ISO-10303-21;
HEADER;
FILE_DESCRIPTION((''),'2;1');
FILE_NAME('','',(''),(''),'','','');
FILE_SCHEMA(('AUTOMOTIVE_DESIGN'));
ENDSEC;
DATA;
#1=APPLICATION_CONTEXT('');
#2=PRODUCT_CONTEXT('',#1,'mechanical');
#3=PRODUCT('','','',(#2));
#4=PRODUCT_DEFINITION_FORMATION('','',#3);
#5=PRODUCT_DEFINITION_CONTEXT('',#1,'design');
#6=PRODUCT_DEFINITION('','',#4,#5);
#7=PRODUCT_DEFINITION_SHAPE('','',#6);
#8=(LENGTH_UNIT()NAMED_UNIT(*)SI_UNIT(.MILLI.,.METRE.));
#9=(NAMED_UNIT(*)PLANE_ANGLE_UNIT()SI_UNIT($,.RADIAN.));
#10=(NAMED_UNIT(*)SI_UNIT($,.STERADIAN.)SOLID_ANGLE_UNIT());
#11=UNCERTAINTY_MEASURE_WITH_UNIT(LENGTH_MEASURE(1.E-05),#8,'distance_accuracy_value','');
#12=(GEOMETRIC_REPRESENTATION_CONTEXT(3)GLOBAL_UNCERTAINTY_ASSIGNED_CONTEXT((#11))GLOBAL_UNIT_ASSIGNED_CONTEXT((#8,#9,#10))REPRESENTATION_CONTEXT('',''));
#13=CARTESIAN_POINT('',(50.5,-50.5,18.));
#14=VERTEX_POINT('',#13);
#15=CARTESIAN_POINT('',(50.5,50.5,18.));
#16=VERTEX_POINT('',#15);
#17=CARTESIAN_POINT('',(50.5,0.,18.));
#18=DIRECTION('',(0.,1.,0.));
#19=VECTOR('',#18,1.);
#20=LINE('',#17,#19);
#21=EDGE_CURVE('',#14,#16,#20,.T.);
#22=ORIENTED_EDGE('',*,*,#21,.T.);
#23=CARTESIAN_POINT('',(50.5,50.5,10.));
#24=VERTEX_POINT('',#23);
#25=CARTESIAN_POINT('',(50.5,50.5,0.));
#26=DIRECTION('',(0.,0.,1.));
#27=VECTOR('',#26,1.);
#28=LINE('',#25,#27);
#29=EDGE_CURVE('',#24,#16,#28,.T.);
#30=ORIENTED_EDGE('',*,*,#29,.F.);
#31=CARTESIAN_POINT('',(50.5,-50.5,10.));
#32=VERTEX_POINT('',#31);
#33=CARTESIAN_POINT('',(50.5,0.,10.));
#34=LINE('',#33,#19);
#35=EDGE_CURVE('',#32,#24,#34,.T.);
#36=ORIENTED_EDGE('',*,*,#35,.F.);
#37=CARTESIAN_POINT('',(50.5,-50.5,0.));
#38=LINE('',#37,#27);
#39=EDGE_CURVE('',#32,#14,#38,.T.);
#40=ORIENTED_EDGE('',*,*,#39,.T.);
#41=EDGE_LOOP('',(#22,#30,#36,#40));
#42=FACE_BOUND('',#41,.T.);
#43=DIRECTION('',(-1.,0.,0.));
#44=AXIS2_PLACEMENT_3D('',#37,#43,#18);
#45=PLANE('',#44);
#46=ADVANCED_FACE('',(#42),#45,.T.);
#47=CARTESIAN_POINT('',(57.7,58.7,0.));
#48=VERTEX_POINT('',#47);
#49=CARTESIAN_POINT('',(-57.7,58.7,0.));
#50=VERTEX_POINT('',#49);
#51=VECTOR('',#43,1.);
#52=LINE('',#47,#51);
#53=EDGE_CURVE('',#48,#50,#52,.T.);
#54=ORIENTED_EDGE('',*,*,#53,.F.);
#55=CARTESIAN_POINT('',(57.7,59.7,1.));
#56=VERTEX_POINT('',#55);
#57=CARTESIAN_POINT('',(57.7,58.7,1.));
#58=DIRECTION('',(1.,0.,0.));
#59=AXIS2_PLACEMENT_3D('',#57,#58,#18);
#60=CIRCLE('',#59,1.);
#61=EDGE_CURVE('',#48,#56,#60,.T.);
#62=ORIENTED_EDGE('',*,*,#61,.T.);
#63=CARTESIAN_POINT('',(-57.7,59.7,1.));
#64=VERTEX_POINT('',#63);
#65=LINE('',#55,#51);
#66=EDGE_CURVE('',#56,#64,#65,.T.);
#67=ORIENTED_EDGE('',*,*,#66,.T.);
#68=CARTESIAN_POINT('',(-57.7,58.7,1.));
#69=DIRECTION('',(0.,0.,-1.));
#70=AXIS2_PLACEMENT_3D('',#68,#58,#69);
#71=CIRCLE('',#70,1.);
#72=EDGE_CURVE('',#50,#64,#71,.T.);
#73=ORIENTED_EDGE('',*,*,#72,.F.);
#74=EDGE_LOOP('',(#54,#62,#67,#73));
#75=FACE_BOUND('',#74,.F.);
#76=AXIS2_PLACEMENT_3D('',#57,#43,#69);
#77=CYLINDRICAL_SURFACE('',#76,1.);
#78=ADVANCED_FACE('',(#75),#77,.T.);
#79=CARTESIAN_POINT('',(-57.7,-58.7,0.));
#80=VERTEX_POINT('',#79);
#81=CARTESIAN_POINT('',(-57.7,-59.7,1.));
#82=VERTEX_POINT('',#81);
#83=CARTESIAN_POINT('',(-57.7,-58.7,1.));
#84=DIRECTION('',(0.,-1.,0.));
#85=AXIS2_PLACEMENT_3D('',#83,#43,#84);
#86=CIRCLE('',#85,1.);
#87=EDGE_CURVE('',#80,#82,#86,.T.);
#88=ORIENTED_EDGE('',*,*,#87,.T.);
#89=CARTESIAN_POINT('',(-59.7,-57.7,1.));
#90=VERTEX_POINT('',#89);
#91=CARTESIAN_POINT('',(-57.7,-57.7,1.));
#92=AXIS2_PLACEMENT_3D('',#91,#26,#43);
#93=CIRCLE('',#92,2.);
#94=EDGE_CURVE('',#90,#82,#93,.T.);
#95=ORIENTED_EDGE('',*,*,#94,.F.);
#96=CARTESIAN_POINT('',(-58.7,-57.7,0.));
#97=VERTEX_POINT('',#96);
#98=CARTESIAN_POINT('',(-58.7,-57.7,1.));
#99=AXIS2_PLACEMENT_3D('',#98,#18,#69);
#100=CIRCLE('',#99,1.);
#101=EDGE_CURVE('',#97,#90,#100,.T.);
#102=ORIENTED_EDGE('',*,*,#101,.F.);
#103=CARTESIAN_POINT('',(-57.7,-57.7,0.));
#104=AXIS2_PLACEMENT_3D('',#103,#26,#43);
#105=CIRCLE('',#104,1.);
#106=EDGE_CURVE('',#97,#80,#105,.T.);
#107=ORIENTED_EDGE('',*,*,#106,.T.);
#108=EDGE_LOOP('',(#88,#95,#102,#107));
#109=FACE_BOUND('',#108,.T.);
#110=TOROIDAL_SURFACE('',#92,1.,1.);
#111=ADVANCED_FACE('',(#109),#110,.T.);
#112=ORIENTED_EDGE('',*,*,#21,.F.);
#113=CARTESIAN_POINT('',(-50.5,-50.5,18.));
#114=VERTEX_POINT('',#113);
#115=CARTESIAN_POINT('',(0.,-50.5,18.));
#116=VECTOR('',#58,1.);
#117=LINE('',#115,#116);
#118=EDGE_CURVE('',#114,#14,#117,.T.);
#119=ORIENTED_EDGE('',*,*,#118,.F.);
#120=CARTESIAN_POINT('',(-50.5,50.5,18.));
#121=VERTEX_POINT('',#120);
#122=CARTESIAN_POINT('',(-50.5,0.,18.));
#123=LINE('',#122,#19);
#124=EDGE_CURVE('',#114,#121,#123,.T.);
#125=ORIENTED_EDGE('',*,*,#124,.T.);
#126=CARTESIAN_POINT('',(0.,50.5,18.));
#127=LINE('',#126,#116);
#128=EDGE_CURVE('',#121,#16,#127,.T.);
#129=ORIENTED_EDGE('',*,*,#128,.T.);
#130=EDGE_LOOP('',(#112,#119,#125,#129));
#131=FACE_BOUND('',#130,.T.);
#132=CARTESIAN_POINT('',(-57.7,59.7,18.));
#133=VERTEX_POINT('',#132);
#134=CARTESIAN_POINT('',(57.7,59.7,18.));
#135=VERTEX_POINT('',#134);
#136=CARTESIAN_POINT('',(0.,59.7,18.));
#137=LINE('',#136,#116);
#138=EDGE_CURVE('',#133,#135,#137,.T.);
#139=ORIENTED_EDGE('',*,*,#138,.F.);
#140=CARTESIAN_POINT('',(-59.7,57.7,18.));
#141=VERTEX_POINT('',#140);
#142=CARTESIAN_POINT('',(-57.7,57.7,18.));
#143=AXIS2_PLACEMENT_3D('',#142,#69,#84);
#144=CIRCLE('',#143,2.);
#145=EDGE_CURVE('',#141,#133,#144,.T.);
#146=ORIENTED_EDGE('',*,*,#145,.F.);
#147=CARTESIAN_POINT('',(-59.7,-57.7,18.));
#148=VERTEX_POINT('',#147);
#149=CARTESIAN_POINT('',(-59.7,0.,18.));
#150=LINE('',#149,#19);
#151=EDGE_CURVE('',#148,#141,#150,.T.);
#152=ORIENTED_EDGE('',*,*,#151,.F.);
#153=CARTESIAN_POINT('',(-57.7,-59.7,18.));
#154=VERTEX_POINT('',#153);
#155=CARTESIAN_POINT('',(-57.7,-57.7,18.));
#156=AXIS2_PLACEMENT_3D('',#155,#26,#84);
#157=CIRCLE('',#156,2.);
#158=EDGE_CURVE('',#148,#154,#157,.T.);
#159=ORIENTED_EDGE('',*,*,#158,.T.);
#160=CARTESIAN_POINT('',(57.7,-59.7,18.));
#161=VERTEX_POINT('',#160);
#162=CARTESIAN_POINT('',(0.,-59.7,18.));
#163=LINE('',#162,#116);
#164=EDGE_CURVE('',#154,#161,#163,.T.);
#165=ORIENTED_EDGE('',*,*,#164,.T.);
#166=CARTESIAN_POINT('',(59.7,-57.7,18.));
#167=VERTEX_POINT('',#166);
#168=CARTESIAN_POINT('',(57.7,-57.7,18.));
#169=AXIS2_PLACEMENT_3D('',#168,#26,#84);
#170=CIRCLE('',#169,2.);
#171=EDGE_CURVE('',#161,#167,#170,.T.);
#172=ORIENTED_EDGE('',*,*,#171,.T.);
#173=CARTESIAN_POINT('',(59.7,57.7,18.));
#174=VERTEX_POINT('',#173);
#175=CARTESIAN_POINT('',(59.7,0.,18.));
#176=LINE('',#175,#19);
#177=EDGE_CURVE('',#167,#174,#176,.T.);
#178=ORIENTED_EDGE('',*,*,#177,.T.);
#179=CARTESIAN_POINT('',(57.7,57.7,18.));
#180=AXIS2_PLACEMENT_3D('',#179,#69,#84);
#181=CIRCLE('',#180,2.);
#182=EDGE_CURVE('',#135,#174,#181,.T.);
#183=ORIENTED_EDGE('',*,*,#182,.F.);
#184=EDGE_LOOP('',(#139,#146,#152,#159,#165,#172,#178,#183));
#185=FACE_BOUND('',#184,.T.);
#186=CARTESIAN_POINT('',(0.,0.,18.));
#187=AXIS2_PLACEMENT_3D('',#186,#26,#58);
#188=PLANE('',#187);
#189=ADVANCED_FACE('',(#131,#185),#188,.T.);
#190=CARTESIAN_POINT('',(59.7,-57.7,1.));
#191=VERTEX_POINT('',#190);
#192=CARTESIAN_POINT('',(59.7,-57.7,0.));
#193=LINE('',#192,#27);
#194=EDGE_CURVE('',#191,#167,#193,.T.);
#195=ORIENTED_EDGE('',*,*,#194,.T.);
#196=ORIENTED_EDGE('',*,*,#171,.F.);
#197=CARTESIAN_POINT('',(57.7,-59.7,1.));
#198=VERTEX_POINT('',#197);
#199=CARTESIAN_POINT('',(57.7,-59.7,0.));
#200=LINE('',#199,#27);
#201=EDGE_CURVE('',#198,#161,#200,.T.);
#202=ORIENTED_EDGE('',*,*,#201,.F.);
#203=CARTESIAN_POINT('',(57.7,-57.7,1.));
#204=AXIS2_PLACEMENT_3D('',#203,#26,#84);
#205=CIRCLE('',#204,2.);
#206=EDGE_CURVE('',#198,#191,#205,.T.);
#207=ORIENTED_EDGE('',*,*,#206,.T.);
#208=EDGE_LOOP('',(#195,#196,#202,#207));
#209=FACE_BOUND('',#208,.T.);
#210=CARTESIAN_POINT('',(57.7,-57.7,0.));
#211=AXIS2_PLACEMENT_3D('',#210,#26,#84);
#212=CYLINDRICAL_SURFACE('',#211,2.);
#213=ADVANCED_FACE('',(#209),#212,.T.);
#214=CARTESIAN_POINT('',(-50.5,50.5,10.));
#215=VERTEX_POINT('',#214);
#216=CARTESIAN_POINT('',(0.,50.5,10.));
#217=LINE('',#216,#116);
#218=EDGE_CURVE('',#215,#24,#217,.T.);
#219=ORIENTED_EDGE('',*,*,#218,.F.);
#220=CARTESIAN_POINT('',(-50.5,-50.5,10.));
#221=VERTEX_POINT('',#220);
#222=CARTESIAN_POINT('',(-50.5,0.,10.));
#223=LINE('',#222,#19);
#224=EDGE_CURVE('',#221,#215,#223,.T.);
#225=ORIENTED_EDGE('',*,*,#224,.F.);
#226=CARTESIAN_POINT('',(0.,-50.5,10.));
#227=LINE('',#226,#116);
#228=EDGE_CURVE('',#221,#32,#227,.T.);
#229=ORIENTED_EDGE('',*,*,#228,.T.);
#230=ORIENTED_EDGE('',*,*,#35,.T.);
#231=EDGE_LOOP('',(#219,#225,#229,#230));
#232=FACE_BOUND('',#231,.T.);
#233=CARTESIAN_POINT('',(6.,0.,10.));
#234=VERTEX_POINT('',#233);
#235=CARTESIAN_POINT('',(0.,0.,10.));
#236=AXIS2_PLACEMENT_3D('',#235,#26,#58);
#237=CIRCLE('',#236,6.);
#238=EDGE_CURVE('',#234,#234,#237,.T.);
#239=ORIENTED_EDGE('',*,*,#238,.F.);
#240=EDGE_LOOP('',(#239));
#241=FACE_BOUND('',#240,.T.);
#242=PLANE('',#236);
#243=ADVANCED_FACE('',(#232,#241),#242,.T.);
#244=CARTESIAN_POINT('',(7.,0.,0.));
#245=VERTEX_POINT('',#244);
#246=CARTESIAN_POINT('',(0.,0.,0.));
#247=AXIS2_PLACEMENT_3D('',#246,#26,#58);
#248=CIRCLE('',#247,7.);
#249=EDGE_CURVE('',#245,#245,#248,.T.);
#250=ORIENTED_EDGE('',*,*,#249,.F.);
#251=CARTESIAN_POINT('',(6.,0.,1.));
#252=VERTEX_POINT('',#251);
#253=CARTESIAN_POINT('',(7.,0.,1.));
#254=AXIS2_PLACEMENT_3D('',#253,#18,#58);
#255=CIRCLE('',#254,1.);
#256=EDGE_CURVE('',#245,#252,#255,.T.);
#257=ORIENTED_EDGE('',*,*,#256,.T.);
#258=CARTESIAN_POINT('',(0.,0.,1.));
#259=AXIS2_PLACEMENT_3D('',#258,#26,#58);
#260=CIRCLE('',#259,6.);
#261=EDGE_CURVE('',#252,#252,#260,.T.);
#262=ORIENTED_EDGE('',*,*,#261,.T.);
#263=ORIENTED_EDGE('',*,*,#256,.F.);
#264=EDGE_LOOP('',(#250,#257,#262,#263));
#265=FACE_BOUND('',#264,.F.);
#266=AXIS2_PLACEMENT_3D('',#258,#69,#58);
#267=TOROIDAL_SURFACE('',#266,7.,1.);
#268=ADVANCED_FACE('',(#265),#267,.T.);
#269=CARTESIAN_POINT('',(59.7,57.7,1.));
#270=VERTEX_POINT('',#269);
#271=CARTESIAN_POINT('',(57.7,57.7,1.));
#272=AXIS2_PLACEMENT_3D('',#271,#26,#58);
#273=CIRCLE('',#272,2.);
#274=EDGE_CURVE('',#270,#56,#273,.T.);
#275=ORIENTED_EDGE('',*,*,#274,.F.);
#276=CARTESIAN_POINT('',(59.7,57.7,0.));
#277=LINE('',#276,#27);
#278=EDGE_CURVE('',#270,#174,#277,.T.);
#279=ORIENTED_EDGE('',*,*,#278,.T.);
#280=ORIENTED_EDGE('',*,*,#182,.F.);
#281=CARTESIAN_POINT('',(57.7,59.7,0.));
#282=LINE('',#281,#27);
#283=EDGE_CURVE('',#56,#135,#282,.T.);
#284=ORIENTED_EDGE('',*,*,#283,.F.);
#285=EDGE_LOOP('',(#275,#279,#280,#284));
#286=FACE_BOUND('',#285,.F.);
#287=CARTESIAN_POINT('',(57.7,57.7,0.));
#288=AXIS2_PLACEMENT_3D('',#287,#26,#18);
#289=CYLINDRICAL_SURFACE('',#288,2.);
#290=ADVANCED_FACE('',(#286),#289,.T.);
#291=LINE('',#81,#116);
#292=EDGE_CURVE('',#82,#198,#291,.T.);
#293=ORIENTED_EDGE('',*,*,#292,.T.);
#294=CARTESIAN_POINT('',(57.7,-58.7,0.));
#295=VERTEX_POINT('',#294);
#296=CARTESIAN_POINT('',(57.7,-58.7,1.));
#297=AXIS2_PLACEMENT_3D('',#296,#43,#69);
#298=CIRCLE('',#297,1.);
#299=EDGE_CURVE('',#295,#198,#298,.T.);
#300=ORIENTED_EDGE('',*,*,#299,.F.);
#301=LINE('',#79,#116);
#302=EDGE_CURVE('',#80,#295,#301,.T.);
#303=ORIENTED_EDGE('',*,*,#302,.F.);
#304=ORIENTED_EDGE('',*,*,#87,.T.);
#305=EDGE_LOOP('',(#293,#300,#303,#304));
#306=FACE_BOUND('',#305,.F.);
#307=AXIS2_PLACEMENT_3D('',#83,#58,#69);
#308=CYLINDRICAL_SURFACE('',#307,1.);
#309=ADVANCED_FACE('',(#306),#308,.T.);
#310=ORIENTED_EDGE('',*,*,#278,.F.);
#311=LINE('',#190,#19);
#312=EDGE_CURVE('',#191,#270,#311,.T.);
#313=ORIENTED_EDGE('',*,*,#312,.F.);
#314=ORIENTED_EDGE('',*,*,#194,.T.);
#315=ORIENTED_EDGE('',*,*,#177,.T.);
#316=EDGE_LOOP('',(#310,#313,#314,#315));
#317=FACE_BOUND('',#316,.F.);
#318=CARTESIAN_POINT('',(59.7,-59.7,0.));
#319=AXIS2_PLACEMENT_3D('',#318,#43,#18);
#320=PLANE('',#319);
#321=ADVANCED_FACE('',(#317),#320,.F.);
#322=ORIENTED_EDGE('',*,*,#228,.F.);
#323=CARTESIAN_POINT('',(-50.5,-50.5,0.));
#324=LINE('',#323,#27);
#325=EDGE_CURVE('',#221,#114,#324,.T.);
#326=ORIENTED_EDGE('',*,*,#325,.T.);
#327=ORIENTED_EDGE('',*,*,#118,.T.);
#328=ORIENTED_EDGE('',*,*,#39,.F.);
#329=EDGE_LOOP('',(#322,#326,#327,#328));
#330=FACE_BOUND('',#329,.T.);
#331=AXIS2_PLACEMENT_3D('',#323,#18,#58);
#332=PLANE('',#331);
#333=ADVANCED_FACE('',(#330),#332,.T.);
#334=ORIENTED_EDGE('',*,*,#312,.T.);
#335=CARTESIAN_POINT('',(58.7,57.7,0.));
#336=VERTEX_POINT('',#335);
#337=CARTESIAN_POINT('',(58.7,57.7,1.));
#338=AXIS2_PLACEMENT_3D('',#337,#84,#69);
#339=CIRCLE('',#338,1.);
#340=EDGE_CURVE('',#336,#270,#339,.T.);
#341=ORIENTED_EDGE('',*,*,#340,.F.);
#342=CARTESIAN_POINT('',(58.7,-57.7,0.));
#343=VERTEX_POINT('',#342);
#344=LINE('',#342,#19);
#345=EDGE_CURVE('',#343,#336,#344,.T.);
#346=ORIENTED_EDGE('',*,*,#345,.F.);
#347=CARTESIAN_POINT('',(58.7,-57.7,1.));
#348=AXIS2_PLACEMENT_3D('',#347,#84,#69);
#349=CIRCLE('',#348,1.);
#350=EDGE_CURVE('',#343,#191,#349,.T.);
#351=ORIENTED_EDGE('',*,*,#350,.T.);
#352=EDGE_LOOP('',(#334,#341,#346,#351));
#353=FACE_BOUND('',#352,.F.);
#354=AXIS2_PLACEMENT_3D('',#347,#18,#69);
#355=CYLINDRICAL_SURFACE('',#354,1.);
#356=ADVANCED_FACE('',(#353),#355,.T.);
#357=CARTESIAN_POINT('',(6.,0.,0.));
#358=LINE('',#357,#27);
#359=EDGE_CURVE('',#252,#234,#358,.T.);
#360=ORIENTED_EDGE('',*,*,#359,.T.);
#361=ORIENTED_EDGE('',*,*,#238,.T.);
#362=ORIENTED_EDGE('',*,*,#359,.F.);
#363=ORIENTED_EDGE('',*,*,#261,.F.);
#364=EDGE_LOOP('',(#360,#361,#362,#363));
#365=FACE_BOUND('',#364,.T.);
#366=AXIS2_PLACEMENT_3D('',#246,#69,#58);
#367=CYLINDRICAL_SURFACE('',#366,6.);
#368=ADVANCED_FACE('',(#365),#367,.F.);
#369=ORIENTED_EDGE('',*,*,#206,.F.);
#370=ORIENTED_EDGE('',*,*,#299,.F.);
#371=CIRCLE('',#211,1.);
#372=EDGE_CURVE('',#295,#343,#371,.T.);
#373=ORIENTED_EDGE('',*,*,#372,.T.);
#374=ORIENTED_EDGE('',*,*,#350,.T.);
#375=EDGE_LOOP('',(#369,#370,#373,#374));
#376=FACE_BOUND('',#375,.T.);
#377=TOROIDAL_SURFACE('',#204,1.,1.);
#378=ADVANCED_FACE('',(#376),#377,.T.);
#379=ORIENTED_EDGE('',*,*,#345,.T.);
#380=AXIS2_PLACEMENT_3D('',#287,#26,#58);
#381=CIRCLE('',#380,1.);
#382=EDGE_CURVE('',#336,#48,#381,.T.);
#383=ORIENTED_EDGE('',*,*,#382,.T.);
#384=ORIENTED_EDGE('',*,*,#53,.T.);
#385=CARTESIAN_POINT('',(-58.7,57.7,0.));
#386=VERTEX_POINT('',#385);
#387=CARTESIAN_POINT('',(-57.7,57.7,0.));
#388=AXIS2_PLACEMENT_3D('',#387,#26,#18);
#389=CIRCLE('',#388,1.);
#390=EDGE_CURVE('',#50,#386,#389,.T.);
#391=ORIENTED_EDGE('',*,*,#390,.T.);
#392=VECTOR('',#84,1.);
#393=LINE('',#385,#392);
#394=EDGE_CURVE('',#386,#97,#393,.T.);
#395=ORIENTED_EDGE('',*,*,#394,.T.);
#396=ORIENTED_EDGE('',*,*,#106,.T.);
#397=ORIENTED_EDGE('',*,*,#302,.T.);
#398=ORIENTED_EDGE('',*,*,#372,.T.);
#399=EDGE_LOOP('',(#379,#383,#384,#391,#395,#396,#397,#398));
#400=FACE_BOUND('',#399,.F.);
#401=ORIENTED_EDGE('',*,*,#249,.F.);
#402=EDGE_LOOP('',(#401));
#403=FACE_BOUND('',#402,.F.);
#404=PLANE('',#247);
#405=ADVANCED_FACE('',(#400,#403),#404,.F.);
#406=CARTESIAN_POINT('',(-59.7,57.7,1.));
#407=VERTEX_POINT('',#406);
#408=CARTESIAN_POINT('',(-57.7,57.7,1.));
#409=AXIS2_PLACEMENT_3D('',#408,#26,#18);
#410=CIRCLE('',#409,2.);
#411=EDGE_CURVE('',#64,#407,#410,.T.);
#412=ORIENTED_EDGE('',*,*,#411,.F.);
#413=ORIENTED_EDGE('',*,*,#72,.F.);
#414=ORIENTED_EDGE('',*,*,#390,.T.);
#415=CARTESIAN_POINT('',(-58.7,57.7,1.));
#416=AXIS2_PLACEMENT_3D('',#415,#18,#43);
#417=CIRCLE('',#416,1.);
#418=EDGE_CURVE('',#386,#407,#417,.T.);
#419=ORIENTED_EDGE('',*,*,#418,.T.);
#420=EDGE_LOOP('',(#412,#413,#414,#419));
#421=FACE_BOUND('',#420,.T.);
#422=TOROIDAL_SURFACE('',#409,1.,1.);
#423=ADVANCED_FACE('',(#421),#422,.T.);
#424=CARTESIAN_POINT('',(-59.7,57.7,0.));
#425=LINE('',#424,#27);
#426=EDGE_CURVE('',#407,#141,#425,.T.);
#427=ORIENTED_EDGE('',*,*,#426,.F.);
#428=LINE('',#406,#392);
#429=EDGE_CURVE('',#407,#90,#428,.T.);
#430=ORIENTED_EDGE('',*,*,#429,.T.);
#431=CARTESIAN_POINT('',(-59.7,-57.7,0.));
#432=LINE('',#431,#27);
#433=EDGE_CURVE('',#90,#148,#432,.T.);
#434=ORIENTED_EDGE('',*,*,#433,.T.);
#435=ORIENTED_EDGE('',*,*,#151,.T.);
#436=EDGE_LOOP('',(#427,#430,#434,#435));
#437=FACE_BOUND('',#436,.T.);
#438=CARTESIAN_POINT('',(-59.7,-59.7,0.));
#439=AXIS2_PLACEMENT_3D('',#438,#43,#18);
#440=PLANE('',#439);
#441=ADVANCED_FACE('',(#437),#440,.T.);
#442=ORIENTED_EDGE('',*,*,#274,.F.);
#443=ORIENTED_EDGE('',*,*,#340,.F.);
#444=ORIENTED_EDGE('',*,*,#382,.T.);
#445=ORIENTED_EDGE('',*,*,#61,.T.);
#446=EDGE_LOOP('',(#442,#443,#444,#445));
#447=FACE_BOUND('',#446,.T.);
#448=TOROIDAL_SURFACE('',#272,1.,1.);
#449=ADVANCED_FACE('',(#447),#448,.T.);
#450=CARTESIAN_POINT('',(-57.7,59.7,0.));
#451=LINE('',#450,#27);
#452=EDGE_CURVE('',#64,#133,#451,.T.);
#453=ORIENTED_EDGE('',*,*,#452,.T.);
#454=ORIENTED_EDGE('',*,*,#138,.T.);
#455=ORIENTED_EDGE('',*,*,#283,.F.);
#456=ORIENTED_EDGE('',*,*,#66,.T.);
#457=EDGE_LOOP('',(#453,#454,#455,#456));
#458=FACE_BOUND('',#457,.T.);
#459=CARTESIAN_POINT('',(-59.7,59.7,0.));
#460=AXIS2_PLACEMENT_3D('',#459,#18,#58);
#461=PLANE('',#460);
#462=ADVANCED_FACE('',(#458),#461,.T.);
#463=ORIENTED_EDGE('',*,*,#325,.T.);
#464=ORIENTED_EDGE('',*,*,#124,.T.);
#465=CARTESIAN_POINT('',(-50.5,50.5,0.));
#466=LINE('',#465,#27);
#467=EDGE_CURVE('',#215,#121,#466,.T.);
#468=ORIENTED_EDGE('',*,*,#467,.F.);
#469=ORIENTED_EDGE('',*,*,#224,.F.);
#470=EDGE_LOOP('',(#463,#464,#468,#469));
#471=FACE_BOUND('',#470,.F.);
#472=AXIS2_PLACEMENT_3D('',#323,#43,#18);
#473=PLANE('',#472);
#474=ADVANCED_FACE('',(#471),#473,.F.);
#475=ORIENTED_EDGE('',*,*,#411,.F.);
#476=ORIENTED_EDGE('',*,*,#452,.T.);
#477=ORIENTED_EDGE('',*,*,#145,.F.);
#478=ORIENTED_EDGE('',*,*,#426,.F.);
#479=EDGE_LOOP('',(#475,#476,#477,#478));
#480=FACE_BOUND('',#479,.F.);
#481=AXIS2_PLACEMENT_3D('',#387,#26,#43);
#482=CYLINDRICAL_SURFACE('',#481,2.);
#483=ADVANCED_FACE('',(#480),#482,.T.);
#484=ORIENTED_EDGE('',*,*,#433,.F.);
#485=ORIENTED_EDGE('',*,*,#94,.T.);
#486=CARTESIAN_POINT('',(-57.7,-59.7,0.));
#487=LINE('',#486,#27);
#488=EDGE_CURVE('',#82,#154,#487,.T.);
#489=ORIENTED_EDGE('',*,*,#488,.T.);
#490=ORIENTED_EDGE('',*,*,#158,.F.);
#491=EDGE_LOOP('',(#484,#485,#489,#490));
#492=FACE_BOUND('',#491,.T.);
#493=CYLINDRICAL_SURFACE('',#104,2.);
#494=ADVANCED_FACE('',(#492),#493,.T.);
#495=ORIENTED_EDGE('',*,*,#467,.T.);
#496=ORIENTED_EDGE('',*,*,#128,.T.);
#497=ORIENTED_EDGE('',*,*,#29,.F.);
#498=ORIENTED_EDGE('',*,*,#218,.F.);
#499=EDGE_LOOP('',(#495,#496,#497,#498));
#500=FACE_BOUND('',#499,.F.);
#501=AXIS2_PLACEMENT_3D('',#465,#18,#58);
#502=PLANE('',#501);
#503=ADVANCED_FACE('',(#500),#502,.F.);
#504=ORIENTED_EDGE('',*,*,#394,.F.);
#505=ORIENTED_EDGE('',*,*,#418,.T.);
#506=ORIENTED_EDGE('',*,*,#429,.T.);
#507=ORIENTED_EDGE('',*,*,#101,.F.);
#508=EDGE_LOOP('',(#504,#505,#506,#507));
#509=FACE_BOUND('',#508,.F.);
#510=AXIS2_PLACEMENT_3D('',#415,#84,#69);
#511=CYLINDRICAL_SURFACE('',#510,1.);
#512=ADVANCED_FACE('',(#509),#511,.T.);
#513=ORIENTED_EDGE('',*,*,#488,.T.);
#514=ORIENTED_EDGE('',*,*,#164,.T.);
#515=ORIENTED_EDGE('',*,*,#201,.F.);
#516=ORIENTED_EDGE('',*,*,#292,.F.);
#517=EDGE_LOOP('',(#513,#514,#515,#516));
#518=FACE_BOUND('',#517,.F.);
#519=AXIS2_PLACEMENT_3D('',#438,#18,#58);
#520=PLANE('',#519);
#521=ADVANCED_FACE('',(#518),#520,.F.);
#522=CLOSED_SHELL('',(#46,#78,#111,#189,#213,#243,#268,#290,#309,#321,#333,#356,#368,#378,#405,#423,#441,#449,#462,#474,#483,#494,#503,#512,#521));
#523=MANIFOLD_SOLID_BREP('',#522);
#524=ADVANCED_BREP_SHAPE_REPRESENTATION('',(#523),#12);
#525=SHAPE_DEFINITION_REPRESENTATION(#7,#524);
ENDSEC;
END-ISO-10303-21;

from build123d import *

# Parameters (mm, degrees)
F0_W     = 101
F0_H     = 101
F0_R     = 6
F1_DEPTH = 10
F0_W_2   = 119.4
F0_H_2   = 119.4
F2_DEPTH = 18
F3_R     = 2
F4_R     = 1


with BuildPart() as f1:
    # F0 (on Top) → F1 (new body)
    with BuildSketch(Plane.XY):
        Rectangle(F0_W, F0_H)
        Circle(F0_R, mode=Mode.SUBTRACT)
    extrude(amount=F1_DEPTH)

    # F0 (on Top) → F2 (join)
    with BuildSketch(Plane.XY):
        Rectangle(F0_W_2, F0_H_2)
        Rectangle(F0_W, F0_H, mode=Mode.SUBTRACT)
    extrude(amount=F2_DEPTH)

    # F3
    f3_edges = [f1.edges().sort_by_distance(p)[0] for p in [
        (-59.7, -59.7, 9),
        (59.7, -59.7, 9),
        (59.7, 59.7, 9),
        (-59.7, 59.7, 9),
    ]]
    fillet(f3_edges, radius=F3_R)

    # F4
    f4_edges = [f1.edges().sort_by_distance(p)[0] for p in [
        (59.7, 0, 0),
        (59.114214, -59.114214, 0),
        (59.114214, 59.114214, 0),
        (0, -59.7, 0),
        (0, 59.7, 0),
        (-59.114214, -59.114214, 0),
        (-59.114214, 59.114214, 0),
        (-59.7, 0, 0),
        (-6, 0, 0),
    ]]
    fillet(f4_edges, radius=F4_R)


solid = f1.part
